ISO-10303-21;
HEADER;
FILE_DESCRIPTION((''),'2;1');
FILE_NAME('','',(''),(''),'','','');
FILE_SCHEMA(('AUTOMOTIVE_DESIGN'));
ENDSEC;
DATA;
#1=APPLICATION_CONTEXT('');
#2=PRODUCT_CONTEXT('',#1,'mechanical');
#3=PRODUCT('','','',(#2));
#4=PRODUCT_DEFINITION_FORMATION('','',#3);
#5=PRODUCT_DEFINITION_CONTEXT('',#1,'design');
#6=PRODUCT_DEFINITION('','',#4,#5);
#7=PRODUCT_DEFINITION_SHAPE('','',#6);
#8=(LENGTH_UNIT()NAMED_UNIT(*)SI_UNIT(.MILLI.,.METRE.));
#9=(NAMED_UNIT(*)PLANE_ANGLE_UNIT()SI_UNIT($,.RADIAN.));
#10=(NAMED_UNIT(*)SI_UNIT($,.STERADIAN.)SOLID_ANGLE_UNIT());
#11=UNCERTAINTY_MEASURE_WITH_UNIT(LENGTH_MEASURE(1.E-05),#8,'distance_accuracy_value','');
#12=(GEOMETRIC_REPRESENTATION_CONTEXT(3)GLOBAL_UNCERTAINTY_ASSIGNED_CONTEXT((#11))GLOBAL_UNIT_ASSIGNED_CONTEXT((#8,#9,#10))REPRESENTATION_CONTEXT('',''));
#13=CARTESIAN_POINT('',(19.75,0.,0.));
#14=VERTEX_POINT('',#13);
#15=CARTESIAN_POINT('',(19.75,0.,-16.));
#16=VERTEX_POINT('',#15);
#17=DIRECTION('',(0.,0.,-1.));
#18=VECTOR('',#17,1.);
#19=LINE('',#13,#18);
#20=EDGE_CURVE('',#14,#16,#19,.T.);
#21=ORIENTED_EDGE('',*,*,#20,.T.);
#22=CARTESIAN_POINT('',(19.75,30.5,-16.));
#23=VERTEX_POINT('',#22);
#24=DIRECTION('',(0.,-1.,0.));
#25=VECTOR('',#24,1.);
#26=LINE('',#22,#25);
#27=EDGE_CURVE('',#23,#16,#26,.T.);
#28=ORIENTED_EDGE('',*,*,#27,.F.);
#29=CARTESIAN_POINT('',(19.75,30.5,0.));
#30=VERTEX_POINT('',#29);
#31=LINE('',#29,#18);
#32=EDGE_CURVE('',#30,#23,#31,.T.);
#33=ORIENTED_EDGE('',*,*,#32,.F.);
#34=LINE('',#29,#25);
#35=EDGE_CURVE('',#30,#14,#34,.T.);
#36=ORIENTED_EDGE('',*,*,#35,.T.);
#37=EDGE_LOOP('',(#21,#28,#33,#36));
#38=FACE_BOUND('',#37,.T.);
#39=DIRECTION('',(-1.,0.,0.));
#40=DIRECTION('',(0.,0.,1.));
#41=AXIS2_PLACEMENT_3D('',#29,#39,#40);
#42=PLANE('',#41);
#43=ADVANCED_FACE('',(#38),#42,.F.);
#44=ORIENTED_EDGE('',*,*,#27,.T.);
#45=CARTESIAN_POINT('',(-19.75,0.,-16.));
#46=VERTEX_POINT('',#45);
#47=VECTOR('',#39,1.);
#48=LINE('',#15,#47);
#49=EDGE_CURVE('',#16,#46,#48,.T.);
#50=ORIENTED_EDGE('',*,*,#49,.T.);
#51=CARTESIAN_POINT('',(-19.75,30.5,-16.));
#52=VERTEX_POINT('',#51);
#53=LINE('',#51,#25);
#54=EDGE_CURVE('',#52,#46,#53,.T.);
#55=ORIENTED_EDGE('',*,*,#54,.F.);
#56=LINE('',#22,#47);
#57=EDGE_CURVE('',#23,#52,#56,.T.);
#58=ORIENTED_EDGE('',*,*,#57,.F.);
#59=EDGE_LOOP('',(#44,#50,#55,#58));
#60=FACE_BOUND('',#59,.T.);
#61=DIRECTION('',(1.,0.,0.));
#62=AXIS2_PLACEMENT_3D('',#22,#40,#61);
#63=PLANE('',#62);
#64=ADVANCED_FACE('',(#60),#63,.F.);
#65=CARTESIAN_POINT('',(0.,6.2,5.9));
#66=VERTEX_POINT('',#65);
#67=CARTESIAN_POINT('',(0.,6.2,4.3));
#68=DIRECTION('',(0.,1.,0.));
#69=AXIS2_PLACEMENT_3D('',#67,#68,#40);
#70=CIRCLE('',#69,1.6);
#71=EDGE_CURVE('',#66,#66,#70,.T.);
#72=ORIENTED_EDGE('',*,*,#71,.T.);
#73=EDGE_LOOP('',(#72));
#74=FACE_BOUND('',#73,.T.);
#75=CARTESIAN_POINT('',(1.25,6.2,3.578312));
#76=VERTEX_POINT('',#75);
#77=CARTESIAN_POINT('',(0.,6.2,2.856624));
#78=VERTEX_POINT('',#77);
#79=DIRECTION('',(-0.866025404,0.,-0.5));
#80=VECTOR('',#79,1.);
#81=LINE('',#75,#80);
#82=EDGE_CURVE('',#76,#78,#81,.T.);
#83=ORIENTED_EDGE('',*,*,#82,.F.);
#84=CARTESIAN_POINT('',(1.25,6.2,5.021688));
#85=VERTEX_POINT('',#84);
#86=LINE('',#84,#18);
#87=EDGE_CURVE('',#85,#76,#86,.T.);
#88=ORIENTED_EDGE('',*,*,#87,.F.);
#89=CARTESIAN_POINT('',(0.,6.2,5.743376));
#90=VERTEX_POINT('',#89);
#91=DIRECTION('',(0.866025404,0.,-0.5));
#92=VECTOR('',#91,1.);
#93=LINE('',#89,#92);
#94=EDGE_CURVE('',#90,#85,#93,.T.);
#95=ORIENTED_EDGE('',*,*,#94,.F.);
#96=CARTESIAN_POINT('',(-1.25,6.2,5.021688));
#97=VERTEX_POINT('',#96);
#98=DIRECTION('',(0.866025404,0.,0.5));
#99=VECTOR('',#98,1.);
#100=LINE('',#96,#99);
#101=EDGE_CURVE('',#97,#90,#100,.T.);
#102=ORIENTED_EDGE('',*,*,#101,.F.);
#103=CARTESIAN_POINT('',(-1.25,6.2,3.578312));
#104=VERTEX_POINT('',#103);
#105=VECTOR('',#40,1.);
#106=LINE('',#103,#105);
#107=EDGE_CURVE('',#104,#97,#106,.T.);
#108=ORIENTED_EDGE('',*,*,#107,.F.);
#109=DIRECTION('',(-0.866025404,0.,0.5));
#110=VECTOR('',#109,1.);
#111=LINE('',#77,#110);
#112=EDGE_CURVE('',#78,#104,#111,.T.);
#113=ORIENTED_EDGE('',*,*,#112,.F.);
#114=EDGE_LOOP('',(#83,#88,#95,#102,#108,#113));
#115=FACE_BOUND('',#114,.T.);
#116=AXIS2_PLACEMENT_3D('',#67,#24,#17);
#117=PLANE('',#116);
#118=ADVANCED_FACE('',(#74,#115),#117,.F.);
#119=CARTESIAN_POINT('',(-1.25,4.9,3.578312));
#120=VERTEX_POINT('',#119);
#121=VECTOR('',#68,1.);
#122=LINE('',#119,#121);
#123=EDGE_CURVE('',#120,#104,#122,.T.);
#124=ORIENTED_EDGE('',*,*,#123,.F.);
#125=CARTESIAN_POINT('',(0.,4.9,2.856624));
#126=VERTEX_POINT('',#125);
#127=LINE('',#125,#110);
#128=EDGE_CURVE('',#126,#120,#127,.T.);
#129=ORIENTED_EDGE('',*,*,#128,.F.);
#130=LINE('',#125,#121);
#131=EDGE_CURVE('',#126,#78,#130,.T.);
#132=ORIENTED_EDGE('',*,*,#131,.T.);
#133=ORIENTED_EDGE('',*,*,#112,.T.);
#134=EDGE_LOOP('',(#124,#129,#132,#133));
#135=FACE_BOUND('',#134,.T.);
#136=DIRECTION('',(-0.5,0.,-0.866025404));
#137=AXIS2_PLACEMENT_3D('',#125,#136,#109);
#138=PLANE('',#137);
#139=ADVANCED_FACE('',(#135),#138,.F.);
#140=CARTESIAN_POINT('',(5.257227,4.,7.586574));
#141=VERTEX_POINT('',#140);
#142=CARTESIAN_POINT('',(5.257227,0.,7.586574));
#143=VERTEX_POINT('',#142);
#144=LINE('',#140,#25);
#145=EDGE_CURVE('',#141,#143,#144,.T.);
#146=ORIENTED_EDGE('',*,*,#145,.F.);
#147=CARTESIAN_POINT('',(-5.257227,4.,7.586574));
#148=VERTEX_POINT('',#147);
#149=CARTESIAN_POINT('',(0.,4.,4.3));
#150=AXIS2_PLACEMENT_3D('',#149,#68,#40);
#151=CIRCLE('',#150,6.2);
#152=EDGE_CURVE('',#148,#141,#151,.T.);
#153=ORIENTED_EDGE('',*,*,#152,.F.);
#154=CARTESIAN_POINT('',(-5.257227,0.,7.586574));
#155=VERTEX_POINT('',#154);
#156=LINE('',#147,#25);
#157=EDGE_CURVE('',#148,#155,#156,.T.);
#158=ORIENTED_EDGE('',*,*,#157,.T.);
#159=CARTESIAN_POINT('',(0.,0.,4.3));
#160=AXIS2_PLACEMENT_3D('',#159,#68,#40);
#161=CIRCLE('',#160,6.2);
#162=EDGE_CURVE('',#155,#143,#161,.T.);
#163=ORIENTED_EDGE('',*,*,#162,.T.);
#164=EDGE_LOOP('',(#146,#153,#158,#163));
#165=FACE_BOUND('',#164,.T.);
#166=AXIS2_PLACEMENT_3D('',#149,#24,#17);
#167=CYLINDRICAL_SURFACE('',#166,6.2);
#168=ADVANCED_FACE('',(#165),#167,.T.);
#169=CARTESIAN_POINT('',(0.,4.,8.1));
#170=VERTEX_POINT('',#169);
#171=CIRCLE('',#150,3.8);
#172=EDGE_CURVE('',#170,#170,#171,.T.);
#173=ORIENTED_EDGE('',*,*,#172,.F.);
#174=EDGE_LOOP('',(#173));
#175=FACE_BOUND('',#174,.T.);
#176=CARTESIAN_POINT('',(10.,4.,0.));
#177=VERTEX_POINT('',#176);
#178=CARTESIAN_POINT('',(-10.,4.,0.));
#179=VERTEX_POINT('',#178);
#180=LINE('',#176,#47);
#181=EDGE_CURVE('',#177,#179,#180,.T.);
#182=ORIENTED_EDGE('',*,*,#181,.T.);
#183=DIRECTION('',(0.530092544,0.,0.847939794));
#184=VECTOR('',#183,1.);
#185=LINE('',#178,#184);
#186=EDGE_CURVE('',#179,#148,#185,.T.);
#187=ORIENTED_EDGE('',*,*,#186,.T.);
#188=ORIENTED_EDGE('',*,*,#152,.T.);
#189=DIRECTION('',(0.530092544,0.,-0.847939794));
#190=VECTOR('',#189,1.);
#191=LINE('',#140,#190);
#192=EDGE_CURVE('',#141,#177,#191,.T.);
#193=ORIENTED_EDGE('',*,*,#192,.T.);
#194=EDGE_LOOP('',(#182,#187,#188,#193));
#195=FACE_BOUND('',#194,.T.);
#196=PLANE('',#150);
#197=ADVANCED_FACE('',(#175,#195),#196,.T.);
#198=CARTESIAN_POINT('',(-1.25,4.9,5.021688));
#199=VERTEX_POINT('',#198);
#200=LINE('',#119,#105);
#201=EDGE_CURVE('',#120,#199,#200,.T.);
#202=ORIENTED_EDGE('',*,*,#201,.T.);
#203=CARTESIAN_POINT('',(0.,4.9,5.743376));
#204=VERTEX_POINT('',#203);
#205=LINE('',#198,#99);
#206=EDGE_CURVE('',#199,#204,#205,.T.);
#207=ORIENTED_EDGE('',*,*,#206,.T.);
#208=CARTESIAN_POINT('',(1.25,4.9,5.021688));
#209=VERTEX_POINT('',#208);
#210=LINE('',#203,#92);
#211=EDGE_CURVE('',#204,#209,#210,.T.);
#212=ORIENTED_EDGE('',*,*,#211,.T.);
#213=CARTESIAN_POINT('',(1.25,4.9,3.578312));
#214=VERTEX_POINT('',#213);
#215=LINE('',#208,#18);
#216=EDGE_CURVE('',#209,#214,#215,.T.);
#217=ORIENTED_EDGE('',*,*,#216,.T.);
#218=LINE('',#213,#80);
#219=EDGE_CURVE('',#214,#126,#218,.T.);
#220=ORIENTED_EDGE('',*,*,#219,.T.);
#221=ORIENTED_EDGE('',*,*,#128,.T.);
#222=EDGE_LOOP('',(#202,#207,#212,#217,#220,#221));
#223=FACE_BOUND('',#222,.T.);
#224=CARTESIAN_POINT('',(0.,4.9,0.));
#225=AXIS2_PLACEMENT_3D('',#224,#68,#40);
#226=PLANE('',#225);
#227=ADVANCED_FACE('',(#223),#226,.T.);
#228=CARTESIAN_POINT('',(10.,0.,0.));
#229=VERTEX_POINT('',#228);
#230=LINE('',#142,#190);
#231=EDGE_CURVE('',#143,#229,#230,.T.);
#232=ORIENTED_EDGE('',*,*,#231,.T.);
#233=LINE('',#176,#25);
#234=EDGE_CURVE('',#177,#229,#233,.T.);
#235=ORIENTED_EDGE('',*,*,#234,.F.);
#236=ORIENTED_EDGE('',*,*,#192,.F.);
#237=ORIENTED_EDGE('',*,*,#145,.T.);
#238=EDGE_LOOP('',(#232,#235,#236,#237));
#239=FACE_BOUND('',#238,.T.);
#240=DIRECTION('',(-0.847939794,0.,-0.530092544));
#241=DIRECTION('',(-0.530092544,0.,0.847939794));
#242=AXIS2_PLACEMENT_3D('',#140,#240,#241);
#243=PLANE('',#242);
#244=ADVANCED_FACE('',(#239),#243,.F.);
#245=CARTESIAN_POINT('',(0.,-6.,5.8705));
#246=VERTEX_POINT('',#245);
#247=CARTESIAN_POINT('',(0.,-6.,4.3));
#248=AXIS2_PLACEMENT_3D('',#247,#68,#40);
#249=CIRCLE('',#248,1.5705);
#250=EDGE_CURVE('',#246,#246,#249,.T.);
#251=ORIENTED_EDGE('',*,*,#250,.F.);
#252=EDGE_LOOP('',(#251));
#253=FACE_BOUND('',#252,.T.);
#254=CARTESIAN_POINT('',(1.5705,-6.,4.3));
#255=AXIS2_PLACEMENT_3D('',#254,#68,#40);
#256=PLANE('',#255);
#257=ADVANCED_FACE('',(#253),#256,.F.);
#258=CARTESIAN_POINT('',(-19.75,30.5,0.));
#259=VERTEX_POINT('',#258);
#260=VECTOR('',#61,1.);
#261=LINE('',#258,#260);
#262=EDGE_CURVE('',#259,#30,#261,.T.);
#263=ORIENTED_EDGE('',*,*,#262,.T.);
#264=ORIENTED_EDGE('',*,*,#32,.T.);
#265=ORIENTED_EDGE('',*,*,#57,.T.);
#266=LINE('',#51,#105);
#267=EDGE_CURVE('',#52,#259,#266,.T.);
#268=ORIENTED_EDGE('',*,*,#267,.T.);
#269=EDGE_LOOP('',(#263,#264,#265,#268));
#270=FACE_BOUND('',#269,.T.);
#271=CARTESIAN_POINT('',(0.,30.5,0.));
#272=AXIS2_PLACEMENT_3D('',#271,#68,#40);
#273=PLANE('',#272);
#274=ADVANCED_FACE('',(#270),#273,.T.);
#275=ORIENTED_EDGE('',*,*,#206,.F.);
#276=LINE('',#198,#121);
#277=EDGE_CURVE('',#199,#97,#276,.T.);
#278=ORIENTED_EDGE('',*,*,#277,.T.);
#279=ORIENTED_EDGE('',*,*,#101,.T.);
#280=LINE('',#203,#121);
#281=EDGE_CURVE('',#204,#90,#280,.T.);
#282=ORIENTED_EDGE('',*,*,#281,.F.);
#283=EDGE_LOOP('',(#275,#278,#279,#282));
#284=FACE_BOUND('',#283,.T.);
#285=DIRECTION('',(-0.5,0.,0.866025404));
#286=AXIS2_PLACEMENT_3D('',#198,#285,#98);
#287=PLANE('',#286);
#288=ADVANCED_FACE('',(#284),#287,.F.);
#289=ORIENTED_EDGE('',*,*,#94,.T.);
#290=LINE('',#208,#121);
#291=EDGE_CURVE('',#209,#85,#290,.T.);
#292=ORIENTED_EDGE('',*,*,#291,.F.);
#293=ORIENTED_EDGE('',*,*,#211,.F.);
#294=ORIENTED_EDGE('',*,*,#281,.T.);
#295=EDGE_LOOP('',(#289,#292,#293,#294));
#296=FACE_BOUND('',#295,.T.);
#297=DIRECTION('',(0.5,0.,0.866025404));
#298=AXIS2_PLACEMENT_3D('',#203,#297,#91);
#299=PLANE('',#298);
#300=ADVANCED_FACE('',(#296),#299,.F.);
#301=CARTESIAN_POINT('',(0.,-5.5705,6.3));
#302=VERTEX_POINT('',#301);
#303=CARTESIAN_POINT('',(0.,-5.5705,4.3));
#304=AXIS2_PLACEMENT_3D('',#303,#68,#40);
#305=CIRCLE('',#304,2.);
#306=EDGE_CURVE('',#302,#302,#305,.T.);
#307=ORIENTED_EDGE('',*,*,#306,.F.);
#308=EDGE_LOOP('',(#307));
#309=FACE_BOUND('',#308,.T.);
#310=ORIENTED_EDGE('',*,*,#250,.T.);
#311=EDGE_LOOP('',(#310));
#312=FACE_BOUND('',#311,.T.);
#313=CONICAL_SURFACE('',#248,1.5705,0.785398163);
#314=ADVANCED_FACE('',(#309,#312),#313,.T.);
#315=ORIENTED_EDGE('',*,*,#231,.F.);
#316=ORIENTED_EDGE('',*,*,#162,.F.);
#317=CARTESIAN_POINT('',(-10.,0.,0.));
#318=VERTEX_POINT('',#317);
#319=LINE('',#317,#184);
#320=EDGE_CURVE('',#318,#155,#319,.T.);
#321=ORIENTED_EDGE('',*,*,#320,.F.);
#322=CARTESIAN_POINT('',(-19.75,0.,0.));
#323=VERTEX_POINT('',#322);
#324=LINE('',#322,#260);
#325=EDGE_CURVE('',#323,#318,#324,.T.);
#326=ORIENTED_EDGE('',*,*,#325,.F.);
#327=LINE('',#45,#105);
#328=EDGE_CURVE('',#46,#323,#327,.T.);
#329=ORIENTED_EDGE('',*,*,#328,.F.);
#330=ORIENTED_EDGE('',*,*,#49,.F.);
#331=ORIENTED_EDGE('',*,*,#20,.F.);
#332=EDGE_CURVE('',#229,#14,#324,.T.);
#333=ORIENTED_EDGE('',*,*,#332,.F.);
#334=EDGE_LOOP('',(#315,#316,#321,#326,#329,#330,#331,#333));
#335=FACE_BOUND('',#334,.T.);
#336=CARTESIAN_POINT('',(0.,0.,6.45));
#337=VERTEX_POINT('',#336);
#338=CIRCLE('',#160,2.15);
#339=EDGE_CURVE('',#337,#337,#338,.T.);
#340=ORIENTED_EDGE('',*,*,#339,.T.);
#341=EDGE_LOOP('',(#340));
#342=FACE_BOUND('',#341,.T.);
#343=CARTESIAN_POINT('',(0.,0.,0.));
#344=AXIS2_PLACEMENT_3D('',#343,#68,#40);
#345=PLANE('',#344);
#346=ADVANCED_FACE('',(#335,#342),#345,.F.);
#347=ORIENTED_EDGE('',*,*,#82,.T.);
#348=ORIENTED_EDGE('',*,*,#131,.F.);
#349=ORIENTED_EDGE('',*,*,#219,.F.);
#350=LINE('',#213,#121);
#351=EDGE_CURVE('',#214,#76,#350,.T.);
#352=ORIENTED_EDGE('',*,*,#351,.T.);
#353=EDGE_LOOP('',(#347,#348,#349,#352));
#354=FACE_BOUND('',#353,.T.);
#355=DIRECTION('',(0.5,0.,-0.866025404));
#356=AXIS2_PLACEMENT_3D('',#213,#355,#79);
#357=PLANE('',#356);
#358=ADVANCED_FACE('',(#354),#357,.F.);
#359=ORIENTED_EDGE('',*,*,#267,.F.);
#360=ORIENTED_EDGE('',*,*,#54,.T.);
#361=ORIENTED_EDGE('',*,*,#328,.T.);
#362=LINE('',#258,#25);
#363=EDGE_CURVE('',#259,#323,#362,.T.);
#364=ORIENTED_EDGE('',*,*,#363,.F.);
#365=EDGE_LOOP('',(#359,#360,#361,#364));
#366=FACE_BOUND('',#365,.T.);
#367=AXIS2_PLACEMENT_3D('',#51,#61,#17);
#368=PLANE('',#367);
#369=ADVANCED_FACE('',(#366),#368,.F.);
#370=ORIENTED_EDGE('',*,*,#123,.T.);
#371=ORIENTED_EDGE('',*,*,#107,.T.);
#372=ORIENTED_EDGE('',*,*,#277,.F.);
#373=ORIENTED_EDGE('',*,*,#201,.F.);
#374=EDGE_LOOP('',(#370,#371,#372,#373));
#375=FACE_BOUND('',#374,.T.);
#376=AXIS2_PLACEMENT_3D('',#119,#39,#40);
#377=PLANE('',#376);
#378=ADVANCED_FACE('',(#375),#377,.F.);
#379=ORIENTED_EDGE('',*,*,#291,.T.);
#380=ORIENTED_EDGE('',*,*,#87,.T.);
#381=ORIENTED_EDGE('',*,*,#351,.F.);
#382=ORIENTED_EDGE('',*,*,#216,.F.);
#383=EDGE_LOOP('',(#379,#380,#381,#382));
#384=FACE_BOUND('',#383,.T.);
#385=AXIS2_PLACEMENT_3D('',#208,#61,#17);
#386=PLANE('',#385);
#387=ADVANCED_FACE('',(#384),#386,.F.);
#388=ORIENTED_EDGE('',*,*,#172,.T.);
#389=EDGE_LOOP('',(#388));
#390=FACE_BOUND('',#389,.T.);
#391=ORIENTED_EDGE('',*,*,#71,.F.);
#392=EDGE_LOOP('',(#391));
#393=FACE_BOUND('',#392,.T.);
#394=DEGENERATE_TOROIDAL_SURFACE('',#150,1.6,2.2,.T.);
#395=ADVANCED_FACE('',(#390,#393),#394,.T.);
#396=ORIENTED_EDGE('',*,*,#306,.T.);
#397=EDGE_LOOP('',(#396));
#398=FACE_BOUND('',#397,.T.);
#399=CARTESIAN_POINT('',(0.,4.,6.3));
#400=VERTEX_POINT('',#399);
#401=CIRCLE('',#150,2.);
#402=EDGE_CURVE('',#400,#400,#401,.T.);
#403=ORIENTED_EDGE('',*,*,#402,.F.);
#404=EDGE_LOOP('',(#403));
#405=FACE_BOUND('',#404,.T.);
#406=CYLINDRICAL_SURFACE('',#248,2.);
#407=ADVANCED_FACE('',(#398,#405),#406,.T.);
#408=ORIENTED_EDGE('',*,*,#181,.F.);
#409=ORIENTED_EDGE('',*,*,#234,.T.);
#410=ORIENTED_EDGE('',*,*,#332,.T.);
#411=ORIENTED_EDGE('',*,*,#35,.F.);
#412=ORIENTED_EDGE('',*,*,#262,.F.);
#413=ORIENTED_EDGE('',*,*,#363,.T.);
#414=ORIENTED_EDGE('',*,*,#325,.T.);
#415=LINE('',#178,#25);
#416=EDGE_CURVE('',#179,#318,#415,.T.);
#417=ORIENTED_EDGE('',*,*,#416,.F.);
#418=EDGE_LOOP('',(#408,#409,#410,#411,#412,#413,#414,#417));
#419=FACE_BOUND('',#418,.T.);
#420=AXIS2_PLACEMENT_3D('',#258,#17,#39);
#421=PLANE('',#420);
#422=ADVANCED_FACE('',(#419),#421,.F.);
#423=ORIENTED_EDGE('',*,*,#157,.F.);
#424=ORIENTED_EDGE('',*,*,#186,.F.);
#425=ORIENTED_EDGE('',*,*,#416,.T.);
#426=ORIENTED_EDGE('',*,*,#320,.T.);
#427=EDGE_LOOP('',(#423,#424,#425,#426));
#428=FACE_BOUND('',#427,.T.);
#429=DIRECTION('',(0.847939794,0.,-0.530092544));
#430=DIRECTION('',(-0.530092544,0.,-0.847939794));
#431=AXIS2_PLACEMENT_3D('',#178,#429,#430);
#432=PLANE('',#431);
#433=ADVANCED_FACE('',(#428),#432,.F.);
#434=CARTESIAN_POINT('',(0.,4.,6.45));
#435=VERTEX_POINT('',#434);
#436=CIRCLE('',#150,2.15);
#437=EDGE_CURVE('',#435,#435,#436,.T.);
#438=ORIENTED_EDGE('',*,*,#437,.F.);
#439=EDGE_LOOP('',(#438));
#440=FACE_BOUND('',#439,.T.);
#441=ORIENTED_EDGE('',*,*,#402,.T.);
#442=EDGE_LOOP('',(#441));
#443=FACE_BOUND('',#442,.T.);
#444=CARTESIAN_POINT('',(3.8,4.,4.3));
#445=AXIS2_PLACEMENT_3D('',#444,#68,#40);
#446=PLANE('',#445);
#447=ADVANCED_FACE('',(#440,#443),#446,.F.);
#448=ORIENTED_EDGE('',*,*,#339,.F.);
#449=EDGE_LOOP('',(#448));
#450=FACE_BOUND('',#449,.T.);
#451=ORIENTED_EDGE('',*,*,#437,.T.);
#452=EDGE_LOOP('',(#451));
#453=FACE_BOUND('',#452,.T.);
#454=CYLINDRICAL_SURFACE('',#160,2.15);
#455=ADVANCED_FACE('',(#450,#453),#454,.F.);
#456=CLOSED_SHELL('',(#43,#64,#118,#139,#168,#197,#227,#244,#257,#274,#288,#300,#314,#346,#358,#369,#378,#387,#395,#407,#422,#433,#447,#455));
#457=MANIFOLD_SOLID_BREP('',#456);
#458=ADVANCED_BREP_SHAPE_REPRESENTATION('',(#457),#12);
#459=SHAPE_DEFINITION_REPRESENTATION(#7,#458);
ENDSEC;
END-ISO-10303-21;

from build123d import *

# Parameters (mm, degrees)
SKETCH_1_W          = 39.5
SKETCH_1_H          = 16
EXTRUDE_1_DEPTH     = 30.5
EXTRUDE_2_DEPTH     = 4
SKETCH_3_W          = 2.15
SKETCH_3_H          = 4
CUT_EXTRUDE_1_DEPTH = 1.3


with BuildPart() as part:
    # 草图1 → 凸台-拉伸1 (new body)
    with BuildSketch(Plane(origin=(0, 0, 0), x_dir=(1, 0, 0), z_dir=(0, 1, 0))):
        with Locations((0, 8)):
            Rectangle(SKETCH_1_W, SKETCH_1_H)
    extrude(amount=EXTRUDE_1_DEPTH)

    # 草图2 → 凸台-拉伸2 (add)
    with BuildSketch(Plane(origin=(0, 0, 0), x_dir=(1, 0, 0), z_dir=(0, 1, 0))):
        with BuildLine():
            Line((-10, 0), (-5.257226723, -7.586573775))
            ThreePointArc((-5.257226723, -7.586573775), (0, -10.5), (5.257226723, -7.586573775))
            Line((5.257226723, -7.586573775), (10, 0))
            Line((10, 0), (-10, 0))
        make_face()
    extrude(amount=EXTRUDE_2_DEPTH)

    # 草图3 → 切除-旋转1 (revolve, cut)
    with BuildSketch(Plane.XY.offset(4.3)):
        with Locations((1.075, 2)):
            Rectangle(SKETCH_3_W, SKETCH_3_H)
    revolve(axis=Axis((0, 0, 4.3), (0, 1, 0)), mode=Mode.SUBTRACT)

    # 草图4 → 旋转1 (revolve)
    with BuildSketch(Plane.XY.offset(4.3)):
        with BuildLine():
            Line((0, 6.2), (1.6, 6.2))
            ThreePointArc((1.6, 6.2), (3.155634919, 5.555634919), (3.8, 4))
            Line((3.8, 4), (2, 4))
            Line((2, 4), (2, -5.5705))
            Line((2, -5.5705), (1.5705, -6))
            Line((1.5705, -6), (0, -6))
            Line((0, -6), (0, 6.2))
        make_face()
    revolve(axis=Axis((0, -6, 4.3), (0, 1, 0)))

    # 草图5 → 切除-拉伸1 (cut)
    with BuildSketch(Plane(origin=(0, 6.2, 0), x_dir=(1, 0, 0), z_dir=(0, 1, 0))):
        Polygon((-1.25, -3.578312164), (-1.25, -5.021687836), (0, -5.743375673), (1.25, -5.021687836), (1.25, -3.578312164), (0, -2.856624327), align=None)
    extrude(amount=-CUT_EXTRUDE_1_DEPTH, mode=Mode.SUBTRACT)


solid = part.part
